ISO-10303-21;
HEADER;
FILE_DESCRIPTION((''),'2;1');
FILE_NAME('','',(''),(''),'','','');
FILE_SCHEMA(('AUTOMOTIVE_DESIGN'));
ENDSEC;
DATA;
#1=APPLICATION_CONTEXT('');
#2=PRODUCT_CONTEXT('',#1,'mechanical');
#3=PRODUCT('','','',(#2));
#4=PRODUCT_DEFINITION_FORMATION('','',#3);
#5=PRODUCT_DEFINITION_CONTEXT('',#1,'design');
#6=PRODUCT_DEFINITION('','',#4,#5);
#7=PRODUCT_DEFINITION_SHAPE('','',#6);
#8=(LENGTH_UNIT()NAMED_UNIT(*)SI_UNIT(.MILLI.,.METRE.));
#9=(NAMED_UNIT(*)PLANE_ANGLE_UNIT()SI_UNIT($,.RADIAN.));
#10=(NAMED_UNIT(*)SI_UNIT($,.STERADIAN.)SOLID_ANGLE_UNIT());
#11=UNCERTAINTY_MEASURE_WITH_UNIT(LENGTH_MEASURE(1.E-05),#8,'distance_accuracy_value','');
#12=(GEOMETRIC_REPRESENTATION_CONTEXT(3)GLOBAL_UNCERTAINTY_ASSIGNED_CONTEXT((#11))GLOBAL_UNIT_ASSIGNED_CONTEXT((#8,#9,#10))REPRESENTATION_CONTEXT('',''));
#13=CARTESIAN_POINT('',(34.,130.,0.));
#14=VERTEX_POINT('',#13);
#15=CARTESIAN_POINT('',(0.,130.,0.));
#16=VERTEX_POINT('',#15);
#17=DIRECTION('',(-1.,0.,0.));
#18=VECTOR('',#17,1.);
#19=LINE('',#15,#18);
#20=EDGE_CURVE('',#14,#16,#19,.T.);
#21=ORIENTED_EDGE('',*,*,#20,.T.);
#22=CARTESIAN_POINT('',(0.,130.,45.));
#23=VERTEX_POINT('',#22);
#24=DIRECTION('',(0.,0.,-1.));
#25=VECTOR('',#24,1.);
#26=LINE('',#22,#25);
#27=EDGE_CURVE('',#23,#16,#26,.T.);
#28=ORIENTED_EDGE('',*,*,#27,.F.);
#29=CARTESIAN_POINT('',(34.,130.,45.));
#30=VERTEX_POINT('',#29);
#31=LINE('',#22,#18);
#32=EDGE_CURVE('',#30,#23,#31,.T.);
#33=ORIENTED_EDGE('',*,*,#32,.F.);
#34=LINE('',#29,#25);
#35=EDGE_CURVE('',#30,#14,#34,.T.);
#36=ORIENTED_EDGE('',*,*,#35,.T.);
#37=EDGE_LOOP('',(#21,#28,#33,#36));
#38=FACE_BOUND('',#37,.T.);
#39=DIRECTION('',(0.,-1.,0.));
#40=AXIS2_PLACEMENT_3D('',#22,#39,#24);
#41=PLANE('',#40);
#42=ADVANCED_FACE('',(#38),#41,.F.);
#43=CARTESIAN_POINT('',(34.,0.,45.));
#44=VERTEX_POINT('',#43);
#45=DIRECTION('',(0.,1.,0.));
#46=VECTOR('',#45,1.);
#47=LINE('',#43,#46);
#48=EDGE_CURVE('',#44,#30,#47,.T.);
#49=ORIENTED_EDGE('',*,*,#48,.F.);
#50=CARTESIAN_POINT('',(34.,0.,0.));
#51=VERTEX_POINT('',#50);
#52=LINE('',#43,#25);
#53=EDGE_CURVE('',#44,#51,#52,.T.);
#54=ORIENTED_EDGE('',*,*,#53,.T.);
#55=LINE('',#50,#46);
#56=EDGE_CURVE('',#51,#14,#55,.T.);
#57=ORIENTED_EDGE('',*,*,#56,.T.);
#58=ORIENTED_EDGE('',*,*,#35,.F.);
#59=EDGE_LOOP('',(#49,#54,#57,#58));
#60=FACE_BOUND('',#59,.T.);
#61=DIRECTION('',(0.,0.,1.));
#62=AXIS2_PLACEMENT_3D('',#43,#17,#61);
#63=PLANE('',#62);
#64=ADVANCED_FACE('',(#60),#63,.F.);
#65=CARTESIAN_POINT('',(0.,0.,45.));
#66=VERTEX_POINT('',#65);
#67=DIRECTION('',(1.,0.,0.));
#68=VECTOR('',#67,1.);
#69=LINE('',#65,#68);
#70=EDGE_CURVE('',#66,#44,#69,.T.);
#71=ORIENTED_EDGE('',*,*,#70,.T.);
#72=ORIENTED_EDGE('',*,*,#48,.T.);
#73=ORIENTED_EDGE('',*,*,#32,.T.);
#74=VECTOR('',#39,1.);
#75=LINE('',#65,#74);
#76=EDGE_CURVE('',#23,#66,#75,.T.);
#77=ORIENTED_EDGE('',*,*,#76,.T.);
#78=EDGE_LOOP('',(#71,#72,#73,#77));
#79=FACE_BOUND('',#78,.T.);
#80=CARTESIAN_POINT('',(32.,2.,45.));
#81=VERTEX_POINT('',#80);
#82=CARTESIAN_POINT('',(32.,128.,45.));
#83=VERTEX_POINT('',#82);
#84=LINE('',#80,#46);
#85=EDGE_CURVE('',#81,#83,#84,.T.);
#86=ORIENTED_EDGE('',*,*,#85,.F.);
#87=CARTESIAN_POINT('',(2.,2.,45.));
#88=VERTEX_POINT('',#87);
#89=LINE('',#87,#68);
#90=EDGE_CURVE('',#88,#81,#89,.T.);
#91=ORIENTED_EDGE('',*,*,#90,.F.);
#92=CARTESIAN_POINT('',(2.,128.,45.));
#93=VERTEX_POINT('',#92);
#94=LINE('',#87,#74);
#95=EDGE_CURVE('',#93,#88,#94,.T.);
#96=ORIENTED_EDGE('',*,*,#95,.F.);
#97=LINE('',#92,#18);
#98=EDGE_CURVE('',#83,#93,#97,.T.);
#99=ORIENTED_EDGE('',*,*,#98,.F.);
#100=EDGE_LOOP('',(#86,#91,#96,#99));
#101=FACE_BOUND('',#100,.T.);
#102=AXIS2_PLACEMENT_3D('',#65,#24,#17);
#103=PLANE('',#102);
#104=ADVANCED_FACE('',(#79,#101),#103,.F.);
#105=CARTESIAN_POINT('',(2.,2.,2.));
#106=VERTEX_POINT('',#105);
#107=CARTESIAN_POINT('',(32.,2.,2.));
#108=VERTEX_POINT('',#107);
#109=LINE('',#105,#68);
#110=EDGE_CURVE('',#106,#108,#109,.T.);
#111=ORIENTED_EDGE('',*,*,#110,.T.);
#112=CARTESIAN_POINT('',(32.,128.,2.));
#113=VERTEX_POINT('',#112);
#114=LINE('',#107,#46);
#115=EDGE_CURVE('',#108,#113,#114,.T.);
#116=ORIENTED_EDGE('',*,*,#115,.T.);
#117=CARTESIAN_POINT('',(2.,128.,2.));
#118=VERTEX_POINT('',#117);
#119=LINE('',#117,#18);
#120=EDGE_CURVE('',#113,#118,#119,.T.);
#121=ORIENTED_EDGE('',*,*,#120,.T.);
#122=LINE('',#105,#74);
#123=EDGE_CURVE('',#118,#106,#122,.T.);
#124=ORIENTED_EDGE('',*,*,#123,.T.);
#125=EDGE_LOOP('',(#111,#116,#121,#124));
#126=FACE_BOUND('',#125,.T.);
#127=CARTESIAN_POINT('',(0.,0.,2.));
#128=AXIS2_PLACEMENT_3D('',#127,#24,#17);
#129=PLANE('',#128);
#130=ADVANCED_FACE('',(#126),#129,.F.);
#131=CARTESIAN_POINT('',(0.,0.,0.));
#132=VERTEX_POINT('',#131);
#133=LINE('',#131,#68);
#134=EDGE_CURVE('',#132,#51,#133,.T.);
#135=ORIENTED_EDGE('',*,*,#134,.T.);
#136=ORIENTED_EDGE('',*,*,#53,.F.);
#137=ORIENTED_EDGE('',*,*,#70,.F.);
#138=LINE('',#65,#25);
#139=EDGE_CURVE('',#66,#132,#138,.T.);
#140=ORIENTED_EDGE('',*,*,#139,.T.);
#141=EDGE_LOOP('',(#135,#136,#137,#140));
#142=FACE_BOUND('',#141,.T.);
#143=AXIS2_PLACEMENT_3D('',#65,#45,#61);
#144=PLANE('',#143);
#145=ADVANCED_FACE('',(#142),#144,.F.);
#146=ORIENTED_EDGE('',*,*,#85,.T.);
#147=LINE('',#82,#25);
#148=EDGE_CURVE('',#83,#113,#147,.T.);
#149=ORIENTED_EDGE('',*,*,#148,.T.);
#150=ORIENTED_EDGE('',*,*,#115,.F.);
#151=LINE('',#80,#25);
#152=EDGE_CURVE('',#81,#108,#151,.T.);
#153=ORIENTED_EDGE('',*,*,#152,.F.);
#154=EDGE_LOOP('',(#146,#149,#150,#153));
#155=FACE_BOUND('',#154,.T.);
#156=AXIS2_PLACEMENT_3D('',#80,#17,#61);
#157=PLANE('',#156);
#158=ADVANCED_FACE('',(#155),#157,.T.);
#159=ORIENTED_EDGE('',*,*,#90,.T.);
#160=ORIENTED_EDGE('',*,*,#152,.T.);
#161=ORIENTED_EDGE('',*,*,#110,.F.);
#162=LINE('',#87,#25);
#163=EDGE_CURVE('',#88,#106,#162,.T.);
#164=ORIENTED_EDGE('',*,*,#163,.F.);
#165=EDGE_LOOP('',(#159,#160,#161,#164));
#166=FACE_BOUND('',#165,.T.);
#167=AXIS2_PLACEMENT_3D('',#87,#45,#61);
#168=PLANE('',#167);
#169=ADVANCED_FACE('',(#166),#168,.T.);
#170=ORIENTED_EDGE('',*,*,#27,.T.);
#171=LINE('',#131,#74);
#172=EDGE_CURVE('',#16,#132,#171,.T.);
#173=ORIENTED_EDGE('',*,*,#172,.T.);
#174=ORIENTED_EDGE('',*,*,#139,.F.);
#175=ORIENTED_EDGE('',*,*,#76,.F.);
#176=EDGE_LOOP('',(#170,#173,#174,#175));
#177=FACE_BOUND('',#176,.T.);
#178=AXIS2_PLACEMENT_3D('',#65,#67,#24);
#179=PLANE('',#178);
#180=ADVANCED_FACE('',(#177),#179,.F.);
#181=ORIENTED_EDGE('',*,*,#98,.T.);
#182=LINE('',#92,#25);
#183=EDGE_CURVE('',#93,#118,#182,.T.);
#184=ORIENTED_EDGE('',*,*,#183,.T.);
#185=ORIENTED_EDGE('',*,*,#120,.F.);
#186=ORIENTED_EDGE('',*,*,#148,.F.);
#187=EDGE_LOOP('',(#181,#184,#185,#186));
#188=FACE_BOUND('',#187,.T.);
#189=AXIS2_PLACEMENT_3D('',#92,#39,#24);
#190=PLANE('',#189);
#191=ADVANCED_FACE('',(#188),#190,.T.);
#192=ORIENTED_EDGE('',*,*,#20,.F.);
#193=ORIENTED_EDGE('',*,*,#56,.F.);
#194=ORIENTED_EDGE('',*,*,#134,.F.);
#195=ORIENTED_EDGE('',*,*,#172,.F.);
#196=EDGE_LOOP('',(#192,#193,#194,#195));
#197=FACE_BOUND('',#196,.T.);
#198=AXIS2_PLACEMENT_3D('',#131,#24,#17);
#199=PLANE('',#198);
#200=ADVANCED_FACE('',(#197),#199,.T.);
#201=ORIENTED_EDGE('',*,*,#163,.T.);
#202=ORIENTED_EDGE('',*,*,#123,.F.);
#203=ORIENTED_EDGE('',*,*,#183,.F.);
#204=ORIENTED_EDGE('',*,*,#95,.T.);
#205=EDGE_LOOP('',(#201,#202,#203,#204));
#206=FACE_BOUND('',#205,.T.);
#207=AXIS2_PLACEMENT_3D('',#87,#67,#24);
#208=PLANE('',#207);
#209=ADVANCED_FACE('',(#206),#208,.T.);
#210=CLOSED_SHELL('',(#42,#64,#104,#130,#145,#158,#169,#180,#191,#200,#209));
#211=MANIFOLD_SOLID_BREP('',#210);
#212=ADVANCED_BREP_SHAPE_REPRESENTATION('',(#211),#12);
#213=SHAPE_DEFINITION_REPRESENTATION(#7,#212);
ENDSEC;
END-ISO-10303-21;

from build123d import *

# Parameters (mm, degrees)
SKETCH1_W     = 34
SKETCH1_H     = 130
SKETCH1_W_2   = 30
SKETCH1_H_2   = 126
PROFILE_DEPTH = 45
SKETCH2_W     = 30
SKETCH2_H     = 126
BACK_DEPTH    = 2


with BuildPart() as part:
    # Sketch1 → Profile (new body)
    with BuildSketch(Plane.XY):
        with Locations((17, 65)):
            Rectangle(SKETCH1_W, SKETCH1_H)
        with Locations((17, 65)):
            Rectangle(SKETCH1_W_2, SKETCH1_H_2, mode=Mode.SUBTRACT)
    extrude(amount=PROFILE_DEPTH)

    # Sketch2 → Back (add)
    with BuildSketch(Plane.XY):
        with Locations((17, 65)):
            Rectangle(SKETCH2_W, SKETCH2_H)
    extrude(amount=BACK_DEPTH)


solid = part.part
